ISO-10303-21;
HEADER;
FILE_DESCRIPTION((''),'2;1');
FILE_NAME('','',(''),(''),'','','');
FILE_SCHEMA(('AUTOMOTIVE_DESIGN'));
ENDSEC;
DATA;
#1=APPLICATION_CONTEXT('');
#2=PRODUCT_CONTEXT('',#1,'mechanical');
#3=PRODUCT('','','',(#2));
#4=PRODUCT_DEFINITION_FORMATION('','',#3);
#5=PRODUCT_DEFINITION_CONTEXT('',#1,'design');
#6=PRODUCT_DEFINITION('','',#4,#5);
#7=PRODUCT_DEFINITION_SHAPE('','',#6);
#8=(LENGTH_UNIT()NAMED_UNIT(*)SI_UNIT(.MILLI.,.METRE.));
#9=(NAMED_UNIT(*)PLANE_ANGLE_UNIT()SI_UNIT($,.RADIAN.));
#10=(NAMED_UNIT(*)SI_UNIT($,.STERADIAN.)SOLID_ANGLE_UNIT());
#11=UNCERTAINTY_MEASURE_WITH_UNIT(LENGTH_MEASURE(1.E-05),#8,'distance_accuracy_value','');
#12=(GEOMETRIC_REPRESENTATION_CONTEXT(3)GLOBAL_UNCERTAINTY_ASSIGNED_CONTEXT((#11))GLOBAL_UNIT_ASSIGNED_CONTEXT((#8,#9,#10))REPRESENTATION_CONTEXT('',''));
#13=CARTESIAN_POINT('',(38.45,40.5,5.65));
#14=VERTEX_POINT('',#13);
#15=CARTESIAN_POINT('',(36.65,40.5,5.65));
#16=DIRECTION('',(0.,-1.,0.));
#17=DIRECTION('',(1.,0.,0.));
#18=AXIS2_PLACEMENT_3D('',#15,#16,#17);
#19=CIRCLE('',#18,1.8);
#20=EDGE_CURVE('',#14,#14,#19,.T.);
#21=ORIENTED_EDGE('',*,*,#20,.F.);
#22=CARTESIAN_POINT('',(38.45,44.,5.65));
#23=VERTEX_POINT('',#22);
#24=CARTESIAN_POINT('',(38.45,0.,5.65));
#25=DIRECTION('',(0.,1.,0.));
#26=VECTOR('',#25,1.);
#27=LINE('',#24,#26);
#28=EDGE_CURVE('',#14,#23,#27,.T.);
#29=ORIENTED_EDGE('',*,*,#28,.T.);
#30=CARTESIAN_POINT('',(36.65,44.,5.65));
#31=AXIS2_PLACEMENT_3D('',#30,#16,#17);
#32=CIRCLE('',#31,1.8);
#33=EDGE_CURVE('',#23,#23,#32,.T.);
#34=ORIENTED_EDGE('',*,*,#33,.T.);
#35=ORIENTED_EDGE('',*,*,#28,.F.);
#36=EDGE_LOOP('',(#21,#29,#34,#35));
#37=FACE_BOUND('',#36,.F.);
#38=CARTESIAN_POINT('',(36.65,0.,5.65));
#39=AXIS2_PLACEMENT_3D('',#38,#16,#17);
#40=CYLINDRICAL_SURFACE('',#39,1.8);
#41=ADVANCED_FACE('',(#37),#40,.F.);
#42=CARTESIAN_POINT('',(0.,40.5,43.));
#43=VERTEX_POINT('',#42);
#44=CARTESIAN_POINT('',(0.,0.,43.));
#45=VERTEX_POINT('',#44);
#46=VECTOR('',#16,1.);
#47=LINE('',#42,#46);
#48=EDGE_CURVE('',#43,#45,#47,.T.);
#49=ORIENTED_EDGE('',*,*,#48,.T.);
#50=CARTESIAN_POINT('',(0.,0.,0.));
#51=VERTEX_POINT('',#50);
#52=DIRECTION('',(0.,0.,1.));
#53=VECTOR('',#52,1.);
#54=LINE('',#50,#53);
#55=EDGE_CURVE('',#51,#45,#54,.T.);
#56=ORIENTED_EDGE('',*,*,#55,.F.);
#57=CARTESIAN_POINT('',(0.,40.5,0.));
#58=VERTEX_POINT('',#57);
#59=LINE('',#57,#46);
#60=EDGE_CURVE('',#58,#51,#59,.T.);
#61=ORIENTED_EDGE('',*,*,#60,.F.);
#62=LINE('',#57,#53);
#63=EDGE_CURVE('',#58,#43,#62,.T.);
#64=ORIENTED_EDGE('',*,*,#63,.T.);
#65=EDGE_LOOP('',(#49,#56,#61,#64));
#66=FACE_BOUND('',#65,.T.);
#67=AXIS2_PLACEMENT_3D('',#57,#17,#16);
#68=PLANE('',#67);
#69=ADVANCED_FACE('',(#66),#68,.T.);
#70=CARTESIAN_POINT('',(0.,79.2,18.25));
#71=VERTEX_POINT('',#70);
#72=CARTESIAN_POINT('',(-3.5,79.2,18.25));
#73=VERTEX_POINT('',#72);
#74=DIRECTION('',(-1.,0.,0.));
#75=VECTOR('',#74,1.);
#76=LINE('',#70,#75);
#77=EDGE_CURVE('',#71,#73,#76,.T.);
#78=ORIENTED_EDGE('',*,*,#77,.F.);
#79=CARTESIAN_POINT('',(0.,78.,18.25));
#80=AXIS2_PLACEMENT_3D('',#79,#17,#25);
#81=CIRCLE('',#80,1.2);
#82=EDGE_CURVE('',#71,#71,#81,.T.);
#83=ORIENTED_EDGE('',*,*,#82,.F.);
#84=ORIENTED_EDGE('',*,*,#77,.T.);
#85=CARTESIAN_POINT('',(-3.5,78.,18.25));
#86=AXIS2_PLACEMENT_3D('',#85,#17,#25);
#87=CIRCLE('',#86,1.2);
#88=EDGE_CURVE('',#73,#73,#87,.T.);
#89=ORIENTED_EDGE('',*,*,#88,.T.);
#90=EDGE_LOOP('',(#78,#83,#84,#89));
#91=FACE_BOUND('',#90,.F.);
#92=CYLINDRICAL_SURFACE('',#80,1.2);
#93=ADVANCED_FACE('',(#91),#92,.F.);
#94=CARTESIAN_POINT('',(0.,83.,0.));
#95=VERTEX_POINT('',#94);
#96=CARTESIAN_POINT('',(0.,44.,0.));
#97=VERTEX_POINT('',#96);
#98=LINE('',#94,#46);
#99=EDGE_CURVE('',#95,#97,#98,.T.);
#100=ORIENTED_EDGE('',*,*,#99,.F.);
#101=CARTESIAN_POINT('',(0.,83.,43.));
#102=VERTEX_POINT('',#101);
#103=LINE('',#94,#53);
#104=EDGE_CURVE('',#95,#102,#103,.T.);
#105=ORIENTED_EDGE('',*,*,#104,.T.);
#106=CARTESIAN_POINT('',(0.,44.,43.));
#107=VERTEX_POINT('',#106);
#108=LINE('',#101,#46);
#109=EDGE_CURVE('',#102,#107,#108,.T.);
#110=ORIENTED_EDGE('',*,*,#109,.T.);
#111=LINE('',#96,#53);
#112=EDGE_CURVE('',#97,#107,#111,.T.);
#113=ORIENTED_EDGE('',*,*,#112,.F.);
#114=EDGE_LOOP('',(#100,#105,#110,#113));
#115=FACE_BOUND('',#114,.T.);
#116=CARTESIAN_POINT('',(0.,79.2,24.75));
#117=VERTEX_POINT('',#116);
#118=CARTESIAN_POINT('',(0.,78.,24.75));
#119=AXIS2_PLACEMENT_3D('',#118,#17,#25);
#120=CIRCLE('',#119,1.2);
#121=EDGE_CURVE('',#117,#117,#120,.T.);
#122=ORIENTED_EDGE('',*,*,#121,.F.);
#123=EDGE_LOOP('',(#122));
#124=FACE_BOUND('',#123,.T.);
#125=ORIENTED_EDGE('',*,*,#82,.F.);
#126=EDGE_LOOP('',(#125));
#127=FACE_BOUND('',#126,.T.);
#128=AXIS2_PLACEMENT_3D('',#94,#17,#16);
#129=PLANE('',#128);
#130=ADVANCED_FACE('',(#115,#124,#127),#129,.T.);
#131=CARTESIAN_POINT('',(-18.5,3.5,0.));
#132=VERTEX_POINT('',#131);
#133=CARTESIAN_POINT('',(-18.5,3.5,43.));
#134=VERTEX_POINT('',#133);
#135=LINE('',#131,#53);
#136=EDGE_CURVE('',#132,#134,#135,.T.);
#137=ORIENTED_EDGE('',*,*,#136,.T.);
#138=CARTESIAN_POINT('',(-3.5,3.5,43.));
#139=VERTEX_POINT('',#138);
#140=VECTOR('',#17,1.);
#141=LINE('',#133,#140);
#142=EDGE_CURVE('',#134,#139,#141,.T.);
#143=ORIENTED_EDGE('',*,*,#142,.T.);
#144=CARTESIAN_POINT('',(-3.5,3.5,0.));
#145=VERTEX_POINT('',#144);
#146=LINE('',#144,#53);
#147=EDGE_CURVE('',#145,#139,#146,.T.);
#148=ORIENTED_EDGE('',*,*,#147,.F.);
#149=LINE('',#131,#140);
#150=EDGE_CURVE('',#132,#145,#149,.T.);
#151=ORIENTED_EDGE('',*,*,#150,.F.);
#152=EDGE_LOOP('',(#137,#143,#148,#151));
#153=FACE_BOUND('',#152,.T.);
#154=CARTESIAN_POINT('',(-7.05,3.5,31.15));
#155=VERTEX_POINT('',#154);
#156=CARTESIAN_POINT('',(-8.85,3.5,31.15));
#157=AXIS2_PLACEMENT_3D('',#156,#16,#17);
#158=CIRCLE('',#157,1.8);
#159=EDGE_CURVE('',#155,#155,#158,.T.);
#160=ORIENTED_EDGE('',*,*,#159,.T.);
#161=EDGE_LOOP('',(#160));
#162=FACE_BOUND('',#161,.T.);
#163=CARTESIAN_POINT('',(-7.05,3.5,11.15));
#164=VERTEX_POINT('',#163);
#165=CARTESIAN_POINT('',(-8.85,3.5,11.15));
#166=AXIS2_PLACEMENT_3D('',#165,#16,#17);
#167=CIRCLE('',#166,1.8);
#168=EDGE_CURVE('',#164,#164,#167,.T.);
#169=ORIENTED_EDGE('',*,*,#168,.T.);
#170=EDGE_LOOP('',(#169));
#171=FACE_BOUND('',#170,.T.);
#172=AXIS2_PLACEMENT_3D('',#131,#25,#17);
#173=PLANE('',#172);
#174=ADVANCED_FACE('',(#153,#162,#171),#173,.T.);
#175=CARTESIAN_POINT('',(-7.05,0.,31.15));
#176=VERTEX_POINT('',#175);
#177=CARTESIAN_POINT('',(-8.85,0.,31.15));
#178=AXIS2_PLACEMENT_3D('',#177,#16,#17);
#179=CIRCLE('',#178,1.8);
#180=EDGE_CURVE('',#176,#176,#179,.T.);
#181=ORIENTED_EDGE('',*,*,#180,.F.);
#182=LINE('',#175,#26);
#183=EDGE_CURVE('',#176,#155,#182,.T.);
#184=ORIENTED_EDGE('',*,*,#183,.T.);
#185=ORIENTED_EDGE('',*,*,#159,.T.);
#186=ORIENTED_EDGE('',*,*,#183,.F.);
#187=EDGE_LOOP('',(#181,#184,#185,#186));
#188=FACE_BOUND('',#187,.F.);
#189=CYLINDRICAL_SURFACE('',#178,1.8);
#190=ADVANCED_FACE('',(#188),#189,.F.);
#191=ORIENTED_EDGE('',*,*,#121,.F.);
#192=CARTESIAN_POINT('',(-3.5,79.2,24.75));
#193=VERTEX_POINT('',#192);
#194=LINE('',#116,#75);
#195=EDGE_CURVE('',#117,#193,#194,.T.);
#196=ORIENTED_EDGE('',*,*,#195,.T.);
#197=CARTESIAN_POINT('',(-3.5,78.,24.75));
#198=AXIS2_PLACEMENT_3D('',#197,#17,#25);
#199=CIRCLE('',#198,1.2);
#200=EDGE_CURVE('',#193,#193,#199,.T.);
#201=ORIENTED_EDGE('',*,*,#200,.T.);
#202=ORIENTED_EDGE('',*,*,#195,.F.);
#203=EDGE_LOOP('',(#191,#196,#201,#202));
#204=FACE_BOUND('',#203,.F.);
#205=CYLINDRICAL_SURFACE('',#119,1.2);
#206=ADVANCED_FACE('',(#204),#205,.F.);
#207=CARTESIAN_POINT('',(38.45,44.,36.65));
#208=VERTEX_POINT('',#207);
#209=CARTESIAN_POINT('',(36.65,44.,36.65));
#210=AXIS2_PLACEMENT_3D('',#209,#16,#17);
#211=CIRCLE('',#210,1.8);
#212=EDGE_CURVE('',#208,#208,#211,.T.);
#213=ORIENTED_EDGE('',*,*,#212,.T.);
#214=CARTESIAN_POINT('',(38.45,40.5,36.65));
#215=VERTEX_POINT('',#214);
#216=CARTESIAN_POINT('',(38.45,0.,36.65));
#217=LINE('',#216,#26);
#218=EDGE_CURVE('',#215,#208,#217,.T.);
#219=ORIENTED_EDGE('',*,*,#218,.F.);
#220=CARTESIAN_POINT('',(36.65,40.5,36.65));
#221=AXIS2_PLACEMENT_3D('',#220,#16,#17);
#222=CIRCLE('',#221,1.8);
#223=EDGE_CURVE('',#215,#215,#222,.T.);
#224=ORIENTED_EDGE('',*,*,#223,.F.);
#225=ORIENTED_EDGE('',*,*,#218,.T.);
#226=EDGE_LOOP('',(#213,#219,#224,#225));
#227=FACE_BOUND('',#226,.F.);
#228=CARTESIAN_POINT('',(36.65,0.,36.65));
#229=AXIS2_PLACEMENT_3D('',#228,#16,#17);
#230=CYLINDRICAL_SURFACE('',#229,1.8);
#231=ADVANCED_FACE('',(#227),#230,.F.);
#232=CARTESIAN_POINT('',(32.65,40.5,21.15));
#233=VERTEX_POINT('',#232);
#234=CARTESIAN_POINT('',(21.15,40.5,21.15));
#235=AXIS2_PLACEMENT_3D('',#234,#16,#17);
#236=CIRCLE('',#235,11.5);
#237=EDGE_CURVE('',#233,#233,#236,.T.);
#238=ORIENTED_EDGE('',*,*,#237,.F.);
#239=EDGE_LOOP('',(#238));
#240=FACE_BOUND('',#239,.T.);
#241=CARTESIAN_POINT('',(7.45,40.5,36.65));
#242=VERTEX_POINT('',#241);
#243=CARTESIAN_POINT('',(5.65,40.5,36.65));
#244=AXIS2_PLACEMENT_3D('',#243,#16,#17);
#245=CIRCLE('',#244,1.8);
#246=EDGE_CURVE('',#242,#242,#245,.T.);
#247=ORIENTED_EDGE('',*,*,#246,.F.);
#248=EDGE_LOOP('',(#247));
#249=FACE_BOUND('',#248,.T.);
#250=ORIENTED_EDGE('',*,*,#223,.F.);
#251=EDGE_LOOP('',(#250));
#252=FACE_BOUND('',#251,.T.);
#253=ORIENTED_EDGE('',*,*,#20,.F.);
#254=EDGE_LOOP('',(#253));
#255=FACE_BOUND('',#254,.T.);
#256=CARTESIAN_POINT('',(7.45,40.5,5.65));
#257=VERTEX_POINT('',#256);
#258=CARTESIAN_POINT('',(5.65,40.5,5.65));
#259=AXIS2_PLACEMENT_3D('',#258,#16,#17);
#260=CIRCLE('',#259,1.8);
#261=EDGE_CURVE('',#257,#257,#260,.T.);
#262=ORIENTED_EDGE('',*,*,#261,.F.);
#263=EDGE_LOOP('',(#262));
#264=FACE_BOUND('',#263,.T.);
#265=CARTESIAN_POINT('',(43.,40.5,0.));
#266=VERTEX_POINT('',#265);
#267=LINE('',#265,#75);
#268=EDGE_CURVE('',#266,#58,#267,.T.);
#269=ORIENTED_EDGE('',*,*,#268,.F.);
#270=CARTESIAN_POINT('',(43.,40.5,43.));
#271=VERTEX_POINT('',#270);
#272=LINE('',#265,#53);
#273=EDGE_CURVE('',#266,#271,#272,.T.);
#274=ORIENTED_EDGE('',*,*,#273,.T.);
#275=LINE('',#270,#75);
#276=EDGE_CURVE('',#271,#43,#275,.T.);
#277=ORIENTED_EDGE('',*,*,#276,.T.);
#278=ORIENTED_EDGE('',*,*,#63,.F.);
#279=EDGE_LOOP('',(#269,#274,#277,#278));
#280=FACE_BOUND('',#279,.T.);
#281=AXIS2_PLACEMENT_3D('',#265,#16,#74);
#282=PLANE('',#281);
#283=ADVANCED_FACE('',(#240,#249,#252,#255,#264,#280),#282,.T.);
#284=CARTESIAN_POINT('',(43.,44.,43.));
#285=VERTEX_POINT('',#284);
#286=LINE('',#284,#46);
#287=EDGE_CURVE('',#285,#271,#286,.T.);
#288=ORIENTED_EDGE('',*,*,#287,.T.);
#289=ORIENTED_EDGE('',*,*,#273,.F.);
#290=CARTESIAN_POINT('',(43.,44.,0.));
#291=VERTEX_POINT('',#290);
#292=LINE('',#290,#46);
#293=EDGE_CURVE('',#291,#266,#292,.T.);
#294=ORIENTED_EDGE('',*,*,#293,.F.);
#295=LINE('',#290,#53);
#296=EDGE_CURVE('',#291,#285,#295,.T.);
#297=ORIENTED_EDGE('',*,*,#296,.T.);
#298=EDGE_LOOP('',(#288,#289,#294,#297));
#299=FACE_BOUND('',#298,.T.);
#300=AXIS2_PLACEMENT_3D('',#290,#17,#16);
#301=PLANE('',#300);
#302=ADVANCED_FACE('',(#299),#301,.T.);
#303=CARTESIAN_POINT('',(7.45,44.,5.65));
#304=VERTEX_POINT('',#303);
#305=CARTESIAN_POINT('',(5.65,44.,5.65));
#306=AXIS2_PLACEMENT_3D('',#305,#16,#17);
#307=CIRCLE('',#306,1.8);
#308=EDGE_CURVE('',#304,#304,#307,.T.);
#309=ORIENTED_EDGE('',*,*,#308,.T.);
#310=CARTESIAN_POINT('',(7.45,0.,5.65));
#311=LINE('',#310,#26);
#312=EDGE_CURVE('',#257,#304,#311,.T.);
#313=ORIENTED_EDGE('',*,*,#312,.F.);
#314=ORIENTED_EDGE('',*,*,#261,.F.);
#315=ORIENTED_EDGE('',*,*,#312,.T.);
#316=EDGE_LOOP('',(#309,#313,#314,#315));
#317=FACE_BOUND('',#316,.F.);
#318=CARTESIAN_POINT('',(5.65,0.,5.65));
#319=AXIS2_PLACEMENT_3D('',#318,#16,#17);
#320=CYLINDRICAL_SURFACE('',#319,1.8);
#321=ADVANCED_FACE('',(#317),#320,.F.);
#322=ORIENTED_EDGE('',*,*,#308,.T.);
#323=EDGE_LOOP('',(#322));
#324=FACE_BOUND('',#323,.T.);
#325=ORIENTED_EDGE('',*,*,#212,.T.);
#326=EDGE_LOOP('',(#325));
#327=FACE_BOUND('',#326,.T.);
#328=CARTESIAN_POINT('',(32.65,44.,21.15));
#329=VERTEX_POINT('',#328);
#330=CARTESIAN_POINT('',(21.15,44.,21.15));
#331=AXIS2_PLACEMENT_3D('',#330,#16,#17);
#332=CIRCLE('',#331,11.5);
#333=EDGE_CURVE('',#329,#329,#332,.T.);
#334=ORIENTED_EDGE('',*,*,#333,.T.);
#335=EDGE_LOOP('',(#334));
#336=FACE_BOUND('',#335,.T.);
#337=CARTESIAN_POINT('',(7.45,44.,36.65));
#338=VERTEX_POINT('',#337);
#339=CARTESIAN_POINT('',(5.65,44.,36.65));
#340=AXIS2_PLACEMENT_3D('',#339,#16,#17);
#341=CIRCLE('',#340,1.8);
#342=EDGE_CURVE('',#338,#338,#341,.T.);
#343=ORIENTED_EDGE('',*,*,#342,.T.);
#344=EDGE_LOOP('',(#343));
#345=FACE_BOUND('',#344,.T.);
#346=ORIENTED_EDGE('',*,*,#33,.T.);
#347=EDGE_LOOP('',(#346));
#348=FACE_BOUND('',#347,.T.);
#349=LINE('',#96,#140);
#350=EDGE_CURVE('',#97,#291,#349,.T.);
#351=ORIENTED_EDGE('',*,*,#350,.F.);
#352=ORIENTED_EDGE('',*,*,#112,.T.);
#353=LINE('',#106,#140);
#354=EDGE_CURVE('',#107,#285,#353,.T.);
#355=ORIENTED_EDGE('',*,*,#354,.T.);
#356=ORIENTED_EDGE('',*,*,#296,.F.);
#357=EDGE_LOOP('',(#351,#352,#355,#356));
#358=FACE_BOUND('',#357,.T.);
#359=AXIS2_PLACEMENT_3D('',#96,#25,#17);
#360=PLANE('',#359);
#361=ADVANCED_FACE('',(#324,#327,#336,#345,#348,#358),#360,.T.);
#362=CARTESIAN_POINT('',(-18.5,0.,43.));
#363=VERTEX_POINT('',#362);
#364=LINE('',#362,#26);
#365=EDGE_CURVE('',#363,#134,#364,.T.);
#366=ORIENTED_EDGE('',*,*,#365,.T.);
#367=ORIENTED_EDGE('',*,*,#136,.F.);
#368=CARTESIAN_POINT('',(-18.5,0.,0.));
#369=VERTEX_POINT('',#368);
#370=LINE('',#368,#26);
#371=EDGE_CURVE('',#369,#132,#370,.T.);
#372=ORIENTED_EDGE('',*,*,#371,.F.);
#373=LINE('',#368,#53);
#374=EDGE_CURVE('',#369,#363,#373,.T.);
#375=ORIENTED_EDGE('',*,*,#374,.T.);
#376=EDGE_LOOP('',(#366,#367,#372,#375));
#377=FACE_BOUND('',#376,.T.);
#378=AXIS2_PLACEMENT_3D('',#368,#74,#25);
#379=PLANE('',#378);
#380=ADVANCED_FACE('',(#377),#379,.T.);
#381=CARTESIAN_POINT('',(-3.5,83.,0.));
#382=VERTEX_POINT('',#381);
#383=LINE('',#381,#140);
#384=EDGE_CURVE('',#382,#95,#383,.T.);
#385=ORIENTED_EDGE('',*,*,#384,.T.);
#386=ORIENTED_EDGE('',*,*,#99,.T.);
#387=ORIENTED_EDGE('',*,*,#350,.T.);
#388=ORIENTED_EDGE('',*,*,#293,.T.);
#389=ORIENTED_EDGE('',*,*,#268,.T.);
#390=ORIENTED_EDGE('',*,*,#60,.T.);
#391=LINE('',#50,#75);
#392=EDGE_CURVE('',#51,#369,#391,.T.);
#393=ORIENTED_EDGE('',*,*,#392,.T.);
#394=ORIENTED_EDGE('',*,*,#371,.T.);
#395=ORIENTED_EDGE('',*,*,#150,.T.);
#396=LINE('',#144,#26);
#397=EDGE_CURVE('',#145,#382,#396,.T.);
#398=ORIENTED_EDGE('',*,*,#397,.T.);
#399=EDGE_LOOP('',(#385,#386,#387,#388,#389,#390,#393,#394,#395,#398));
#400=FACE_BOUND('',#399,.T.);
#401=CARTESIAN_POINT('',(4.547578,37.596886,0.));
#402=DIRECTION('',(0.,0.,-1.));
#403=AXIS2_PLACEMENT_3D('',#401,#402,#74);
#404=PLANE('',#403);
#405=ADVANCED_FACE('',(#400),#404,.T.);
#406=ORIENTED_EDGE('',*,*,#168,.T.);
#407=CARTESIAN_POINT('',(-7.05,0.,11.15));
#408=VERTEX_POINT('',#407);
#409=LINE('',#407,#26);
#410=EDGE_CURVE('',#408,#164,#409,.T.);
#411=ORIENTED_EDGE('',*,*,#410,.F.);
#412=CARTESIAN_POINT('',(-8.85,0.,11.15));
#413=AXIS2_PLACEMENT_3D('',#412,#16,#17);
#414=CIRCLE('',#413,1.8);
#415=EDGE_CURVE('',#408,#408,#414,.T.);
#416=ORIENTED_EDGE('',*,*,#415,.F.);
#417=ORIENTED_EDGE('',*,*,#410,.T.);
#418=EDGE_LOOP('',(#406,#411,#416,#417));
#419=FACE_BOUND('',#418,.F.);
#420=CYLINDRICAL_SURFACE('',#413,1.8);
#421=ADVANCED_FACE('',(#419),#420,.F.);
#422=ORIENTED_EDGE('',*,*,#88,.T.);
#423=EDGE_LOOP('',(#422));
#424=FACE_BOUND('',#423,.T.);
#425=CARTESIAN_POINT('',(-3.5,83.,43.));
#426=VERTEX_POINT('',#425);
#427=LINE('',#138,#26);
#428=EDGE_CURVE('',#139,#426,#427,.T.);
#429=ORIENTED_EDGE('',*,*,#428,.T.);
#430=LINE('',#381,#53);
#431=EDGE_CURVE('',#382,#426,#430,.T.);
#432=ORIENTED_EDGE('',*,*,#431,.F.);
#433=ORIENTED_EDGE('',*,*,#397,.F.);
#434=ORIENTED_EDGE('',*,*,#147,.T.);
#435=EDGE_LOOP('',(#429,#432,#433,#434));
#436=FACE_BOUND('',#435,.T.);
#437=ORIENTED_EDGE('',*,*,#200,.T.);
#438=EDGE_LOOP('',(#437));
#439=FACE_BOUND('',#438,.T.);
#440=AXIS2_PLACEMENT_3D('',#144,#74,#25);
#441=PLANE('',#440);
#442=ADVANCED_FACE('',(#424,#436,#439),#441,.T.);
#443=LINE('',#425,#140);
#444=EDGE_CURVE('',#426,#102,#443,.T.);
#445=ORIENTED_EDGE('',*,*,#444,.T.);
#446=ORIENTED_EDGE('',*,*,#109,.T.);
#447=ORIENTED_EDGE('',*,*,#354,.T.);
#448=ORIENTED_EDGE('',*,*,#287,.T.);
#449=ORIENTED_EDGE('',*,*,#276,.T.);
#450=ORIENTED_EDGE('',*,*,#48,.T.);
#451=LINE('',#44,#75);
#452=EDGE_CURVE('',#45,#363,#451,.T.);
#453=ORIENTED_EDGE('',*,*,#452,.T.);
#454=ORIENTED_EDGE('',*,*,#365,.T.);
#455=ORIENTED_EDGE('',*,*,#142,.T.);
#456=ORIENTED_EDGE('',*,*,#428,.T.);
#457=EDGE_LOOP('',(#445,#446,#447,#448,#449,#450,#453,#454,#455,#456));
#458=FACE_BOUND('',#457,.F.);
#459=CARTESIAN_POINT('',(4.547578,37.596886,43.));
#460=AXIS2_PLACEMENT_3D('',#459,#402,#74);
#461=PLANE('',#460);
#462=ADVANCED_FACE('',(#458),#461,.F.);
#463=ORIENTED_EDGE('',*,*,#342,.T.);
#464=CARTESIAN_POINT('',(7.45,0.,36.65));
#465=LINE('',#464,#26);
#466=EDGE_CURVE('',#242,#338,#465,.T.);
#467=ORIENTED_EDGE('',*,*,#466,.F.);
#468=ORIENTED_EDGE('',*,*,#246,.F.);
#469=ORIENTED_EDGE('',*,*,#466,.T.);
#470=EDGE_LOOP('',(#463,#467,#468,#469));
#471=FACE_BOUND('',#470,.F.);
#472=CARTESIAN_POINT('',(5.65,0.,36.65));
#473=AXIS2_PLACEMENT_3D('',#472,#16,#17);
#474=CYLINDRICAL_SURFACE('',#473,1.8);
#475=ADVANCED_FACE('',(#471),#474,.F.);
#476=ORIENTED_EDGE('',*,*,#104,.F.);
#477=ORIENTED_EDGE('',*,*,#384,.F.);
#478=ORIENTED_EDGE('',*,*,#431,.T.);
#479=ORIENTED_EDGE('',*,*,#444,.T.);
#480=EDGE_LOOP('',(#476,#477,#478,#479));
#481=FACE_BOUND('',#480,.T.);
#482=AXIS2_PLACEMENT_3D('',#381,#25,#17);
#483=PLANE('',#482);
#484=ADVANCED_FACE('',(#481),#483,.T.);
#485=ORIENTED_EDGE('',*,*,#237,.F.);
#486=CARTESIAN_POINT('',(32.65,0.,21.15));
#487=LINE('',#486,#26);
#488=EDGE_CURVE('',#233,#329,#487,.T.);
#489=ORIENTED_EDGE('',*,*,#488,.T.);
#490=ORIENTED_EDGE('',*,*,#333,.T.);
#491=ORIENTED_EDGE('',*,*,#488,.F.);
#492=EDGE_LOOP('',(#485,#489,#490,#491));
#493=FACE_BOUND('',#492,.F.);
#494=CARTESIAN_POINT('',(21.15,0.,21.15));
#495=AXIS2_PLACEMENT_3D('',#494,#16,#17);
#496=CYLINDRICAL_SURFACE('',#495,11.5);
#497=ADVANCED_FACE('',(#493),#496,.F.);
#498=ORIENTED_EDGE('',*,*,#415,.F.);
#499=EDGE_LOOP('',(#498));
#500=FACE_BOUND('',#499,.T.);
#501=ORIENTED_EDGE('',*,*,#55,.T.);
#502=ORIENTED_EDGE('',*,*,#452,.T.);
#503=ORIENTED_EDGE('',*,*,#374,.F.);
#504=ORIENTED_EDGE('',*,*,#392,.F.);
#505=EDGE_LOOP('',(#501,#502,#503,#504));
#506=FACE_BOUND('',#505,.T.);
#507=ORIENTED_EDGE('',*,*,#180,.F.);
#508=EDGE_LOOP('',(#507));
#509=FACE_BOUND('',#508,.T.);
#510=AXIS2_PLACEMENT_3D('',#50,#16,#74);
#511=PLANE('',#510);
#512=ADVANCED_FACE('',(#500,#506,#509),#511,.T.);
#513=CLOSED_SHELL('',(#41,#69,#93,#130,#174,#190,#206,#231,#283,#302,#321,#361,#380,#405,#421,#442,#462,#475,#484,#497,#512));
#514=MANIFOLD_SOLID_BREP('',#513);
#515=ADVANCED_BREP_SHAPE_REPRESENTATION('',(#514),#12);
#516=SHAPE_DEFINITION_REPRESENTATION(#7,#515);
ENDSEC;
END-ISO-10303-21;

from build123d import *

# Parameters (mm, degrees)
PAD_DEPTH       = 43
SKETCH001_R     = 11.5
SKETCH001_R_2   = 1.8
POCKET_DEPTH    = 83.001
SKETCH002_R     = 1.2
POCKET001_DEPTH = 3.5


with BuildPart() as part:
    # Sketch → Pad (new body)
    with BuildSketch(Plane.XY):
        Polygon((-18.5, 3.5), (-3.5, 3.5), (-3.5, 83), (0, 83), (0, 44), (43, 44), (43, 40.5), (0, 40.5), (0, 0), (-18.5, 0), align=None)
    extrude(amount=PAD_DEPTH)

    # Sketch001 → Pocket (cut, through all)
    with BuildSketch(Plane.XZ):
        with Locations((21.15, 21.15)):
            Circle(SKETCH001_R)
        with Locations((5.65, 36.65)):
            Circle(SKETCH001_R_2)
        with Locations((36.65, 36.65)):
            Circle(SKETCH001_R_2)
        with Locations((36.65, 5.65)):
            Circle(SKETCH001_R_2)
        with Locations((5.65, 5.65)):
            Circle(SKETCH001_R_2)
        with Locations((-8.85, 31.15)):
            Circle(SKETCH001_R_2)
        with Locations((-8.85, 11.15)):
            Circle(SKETCH001_R_2)
    extrude(amount=-POCKET_DEPTH, mode=Mode.SUBTRACT)

    # Sketch002 → Pocket001 (cut)
    with BuildSketch(Plane.YZ):
        with Locations((78, 24.75)):
            Circle(SKETCH002_R)
        with Locations((78, 18.25)):
            Circle(SKETCH002_R)
    extrude(amount=-POCKET001_DEPTH, mode=Mode.SUBTRACT)


solid = part.part
